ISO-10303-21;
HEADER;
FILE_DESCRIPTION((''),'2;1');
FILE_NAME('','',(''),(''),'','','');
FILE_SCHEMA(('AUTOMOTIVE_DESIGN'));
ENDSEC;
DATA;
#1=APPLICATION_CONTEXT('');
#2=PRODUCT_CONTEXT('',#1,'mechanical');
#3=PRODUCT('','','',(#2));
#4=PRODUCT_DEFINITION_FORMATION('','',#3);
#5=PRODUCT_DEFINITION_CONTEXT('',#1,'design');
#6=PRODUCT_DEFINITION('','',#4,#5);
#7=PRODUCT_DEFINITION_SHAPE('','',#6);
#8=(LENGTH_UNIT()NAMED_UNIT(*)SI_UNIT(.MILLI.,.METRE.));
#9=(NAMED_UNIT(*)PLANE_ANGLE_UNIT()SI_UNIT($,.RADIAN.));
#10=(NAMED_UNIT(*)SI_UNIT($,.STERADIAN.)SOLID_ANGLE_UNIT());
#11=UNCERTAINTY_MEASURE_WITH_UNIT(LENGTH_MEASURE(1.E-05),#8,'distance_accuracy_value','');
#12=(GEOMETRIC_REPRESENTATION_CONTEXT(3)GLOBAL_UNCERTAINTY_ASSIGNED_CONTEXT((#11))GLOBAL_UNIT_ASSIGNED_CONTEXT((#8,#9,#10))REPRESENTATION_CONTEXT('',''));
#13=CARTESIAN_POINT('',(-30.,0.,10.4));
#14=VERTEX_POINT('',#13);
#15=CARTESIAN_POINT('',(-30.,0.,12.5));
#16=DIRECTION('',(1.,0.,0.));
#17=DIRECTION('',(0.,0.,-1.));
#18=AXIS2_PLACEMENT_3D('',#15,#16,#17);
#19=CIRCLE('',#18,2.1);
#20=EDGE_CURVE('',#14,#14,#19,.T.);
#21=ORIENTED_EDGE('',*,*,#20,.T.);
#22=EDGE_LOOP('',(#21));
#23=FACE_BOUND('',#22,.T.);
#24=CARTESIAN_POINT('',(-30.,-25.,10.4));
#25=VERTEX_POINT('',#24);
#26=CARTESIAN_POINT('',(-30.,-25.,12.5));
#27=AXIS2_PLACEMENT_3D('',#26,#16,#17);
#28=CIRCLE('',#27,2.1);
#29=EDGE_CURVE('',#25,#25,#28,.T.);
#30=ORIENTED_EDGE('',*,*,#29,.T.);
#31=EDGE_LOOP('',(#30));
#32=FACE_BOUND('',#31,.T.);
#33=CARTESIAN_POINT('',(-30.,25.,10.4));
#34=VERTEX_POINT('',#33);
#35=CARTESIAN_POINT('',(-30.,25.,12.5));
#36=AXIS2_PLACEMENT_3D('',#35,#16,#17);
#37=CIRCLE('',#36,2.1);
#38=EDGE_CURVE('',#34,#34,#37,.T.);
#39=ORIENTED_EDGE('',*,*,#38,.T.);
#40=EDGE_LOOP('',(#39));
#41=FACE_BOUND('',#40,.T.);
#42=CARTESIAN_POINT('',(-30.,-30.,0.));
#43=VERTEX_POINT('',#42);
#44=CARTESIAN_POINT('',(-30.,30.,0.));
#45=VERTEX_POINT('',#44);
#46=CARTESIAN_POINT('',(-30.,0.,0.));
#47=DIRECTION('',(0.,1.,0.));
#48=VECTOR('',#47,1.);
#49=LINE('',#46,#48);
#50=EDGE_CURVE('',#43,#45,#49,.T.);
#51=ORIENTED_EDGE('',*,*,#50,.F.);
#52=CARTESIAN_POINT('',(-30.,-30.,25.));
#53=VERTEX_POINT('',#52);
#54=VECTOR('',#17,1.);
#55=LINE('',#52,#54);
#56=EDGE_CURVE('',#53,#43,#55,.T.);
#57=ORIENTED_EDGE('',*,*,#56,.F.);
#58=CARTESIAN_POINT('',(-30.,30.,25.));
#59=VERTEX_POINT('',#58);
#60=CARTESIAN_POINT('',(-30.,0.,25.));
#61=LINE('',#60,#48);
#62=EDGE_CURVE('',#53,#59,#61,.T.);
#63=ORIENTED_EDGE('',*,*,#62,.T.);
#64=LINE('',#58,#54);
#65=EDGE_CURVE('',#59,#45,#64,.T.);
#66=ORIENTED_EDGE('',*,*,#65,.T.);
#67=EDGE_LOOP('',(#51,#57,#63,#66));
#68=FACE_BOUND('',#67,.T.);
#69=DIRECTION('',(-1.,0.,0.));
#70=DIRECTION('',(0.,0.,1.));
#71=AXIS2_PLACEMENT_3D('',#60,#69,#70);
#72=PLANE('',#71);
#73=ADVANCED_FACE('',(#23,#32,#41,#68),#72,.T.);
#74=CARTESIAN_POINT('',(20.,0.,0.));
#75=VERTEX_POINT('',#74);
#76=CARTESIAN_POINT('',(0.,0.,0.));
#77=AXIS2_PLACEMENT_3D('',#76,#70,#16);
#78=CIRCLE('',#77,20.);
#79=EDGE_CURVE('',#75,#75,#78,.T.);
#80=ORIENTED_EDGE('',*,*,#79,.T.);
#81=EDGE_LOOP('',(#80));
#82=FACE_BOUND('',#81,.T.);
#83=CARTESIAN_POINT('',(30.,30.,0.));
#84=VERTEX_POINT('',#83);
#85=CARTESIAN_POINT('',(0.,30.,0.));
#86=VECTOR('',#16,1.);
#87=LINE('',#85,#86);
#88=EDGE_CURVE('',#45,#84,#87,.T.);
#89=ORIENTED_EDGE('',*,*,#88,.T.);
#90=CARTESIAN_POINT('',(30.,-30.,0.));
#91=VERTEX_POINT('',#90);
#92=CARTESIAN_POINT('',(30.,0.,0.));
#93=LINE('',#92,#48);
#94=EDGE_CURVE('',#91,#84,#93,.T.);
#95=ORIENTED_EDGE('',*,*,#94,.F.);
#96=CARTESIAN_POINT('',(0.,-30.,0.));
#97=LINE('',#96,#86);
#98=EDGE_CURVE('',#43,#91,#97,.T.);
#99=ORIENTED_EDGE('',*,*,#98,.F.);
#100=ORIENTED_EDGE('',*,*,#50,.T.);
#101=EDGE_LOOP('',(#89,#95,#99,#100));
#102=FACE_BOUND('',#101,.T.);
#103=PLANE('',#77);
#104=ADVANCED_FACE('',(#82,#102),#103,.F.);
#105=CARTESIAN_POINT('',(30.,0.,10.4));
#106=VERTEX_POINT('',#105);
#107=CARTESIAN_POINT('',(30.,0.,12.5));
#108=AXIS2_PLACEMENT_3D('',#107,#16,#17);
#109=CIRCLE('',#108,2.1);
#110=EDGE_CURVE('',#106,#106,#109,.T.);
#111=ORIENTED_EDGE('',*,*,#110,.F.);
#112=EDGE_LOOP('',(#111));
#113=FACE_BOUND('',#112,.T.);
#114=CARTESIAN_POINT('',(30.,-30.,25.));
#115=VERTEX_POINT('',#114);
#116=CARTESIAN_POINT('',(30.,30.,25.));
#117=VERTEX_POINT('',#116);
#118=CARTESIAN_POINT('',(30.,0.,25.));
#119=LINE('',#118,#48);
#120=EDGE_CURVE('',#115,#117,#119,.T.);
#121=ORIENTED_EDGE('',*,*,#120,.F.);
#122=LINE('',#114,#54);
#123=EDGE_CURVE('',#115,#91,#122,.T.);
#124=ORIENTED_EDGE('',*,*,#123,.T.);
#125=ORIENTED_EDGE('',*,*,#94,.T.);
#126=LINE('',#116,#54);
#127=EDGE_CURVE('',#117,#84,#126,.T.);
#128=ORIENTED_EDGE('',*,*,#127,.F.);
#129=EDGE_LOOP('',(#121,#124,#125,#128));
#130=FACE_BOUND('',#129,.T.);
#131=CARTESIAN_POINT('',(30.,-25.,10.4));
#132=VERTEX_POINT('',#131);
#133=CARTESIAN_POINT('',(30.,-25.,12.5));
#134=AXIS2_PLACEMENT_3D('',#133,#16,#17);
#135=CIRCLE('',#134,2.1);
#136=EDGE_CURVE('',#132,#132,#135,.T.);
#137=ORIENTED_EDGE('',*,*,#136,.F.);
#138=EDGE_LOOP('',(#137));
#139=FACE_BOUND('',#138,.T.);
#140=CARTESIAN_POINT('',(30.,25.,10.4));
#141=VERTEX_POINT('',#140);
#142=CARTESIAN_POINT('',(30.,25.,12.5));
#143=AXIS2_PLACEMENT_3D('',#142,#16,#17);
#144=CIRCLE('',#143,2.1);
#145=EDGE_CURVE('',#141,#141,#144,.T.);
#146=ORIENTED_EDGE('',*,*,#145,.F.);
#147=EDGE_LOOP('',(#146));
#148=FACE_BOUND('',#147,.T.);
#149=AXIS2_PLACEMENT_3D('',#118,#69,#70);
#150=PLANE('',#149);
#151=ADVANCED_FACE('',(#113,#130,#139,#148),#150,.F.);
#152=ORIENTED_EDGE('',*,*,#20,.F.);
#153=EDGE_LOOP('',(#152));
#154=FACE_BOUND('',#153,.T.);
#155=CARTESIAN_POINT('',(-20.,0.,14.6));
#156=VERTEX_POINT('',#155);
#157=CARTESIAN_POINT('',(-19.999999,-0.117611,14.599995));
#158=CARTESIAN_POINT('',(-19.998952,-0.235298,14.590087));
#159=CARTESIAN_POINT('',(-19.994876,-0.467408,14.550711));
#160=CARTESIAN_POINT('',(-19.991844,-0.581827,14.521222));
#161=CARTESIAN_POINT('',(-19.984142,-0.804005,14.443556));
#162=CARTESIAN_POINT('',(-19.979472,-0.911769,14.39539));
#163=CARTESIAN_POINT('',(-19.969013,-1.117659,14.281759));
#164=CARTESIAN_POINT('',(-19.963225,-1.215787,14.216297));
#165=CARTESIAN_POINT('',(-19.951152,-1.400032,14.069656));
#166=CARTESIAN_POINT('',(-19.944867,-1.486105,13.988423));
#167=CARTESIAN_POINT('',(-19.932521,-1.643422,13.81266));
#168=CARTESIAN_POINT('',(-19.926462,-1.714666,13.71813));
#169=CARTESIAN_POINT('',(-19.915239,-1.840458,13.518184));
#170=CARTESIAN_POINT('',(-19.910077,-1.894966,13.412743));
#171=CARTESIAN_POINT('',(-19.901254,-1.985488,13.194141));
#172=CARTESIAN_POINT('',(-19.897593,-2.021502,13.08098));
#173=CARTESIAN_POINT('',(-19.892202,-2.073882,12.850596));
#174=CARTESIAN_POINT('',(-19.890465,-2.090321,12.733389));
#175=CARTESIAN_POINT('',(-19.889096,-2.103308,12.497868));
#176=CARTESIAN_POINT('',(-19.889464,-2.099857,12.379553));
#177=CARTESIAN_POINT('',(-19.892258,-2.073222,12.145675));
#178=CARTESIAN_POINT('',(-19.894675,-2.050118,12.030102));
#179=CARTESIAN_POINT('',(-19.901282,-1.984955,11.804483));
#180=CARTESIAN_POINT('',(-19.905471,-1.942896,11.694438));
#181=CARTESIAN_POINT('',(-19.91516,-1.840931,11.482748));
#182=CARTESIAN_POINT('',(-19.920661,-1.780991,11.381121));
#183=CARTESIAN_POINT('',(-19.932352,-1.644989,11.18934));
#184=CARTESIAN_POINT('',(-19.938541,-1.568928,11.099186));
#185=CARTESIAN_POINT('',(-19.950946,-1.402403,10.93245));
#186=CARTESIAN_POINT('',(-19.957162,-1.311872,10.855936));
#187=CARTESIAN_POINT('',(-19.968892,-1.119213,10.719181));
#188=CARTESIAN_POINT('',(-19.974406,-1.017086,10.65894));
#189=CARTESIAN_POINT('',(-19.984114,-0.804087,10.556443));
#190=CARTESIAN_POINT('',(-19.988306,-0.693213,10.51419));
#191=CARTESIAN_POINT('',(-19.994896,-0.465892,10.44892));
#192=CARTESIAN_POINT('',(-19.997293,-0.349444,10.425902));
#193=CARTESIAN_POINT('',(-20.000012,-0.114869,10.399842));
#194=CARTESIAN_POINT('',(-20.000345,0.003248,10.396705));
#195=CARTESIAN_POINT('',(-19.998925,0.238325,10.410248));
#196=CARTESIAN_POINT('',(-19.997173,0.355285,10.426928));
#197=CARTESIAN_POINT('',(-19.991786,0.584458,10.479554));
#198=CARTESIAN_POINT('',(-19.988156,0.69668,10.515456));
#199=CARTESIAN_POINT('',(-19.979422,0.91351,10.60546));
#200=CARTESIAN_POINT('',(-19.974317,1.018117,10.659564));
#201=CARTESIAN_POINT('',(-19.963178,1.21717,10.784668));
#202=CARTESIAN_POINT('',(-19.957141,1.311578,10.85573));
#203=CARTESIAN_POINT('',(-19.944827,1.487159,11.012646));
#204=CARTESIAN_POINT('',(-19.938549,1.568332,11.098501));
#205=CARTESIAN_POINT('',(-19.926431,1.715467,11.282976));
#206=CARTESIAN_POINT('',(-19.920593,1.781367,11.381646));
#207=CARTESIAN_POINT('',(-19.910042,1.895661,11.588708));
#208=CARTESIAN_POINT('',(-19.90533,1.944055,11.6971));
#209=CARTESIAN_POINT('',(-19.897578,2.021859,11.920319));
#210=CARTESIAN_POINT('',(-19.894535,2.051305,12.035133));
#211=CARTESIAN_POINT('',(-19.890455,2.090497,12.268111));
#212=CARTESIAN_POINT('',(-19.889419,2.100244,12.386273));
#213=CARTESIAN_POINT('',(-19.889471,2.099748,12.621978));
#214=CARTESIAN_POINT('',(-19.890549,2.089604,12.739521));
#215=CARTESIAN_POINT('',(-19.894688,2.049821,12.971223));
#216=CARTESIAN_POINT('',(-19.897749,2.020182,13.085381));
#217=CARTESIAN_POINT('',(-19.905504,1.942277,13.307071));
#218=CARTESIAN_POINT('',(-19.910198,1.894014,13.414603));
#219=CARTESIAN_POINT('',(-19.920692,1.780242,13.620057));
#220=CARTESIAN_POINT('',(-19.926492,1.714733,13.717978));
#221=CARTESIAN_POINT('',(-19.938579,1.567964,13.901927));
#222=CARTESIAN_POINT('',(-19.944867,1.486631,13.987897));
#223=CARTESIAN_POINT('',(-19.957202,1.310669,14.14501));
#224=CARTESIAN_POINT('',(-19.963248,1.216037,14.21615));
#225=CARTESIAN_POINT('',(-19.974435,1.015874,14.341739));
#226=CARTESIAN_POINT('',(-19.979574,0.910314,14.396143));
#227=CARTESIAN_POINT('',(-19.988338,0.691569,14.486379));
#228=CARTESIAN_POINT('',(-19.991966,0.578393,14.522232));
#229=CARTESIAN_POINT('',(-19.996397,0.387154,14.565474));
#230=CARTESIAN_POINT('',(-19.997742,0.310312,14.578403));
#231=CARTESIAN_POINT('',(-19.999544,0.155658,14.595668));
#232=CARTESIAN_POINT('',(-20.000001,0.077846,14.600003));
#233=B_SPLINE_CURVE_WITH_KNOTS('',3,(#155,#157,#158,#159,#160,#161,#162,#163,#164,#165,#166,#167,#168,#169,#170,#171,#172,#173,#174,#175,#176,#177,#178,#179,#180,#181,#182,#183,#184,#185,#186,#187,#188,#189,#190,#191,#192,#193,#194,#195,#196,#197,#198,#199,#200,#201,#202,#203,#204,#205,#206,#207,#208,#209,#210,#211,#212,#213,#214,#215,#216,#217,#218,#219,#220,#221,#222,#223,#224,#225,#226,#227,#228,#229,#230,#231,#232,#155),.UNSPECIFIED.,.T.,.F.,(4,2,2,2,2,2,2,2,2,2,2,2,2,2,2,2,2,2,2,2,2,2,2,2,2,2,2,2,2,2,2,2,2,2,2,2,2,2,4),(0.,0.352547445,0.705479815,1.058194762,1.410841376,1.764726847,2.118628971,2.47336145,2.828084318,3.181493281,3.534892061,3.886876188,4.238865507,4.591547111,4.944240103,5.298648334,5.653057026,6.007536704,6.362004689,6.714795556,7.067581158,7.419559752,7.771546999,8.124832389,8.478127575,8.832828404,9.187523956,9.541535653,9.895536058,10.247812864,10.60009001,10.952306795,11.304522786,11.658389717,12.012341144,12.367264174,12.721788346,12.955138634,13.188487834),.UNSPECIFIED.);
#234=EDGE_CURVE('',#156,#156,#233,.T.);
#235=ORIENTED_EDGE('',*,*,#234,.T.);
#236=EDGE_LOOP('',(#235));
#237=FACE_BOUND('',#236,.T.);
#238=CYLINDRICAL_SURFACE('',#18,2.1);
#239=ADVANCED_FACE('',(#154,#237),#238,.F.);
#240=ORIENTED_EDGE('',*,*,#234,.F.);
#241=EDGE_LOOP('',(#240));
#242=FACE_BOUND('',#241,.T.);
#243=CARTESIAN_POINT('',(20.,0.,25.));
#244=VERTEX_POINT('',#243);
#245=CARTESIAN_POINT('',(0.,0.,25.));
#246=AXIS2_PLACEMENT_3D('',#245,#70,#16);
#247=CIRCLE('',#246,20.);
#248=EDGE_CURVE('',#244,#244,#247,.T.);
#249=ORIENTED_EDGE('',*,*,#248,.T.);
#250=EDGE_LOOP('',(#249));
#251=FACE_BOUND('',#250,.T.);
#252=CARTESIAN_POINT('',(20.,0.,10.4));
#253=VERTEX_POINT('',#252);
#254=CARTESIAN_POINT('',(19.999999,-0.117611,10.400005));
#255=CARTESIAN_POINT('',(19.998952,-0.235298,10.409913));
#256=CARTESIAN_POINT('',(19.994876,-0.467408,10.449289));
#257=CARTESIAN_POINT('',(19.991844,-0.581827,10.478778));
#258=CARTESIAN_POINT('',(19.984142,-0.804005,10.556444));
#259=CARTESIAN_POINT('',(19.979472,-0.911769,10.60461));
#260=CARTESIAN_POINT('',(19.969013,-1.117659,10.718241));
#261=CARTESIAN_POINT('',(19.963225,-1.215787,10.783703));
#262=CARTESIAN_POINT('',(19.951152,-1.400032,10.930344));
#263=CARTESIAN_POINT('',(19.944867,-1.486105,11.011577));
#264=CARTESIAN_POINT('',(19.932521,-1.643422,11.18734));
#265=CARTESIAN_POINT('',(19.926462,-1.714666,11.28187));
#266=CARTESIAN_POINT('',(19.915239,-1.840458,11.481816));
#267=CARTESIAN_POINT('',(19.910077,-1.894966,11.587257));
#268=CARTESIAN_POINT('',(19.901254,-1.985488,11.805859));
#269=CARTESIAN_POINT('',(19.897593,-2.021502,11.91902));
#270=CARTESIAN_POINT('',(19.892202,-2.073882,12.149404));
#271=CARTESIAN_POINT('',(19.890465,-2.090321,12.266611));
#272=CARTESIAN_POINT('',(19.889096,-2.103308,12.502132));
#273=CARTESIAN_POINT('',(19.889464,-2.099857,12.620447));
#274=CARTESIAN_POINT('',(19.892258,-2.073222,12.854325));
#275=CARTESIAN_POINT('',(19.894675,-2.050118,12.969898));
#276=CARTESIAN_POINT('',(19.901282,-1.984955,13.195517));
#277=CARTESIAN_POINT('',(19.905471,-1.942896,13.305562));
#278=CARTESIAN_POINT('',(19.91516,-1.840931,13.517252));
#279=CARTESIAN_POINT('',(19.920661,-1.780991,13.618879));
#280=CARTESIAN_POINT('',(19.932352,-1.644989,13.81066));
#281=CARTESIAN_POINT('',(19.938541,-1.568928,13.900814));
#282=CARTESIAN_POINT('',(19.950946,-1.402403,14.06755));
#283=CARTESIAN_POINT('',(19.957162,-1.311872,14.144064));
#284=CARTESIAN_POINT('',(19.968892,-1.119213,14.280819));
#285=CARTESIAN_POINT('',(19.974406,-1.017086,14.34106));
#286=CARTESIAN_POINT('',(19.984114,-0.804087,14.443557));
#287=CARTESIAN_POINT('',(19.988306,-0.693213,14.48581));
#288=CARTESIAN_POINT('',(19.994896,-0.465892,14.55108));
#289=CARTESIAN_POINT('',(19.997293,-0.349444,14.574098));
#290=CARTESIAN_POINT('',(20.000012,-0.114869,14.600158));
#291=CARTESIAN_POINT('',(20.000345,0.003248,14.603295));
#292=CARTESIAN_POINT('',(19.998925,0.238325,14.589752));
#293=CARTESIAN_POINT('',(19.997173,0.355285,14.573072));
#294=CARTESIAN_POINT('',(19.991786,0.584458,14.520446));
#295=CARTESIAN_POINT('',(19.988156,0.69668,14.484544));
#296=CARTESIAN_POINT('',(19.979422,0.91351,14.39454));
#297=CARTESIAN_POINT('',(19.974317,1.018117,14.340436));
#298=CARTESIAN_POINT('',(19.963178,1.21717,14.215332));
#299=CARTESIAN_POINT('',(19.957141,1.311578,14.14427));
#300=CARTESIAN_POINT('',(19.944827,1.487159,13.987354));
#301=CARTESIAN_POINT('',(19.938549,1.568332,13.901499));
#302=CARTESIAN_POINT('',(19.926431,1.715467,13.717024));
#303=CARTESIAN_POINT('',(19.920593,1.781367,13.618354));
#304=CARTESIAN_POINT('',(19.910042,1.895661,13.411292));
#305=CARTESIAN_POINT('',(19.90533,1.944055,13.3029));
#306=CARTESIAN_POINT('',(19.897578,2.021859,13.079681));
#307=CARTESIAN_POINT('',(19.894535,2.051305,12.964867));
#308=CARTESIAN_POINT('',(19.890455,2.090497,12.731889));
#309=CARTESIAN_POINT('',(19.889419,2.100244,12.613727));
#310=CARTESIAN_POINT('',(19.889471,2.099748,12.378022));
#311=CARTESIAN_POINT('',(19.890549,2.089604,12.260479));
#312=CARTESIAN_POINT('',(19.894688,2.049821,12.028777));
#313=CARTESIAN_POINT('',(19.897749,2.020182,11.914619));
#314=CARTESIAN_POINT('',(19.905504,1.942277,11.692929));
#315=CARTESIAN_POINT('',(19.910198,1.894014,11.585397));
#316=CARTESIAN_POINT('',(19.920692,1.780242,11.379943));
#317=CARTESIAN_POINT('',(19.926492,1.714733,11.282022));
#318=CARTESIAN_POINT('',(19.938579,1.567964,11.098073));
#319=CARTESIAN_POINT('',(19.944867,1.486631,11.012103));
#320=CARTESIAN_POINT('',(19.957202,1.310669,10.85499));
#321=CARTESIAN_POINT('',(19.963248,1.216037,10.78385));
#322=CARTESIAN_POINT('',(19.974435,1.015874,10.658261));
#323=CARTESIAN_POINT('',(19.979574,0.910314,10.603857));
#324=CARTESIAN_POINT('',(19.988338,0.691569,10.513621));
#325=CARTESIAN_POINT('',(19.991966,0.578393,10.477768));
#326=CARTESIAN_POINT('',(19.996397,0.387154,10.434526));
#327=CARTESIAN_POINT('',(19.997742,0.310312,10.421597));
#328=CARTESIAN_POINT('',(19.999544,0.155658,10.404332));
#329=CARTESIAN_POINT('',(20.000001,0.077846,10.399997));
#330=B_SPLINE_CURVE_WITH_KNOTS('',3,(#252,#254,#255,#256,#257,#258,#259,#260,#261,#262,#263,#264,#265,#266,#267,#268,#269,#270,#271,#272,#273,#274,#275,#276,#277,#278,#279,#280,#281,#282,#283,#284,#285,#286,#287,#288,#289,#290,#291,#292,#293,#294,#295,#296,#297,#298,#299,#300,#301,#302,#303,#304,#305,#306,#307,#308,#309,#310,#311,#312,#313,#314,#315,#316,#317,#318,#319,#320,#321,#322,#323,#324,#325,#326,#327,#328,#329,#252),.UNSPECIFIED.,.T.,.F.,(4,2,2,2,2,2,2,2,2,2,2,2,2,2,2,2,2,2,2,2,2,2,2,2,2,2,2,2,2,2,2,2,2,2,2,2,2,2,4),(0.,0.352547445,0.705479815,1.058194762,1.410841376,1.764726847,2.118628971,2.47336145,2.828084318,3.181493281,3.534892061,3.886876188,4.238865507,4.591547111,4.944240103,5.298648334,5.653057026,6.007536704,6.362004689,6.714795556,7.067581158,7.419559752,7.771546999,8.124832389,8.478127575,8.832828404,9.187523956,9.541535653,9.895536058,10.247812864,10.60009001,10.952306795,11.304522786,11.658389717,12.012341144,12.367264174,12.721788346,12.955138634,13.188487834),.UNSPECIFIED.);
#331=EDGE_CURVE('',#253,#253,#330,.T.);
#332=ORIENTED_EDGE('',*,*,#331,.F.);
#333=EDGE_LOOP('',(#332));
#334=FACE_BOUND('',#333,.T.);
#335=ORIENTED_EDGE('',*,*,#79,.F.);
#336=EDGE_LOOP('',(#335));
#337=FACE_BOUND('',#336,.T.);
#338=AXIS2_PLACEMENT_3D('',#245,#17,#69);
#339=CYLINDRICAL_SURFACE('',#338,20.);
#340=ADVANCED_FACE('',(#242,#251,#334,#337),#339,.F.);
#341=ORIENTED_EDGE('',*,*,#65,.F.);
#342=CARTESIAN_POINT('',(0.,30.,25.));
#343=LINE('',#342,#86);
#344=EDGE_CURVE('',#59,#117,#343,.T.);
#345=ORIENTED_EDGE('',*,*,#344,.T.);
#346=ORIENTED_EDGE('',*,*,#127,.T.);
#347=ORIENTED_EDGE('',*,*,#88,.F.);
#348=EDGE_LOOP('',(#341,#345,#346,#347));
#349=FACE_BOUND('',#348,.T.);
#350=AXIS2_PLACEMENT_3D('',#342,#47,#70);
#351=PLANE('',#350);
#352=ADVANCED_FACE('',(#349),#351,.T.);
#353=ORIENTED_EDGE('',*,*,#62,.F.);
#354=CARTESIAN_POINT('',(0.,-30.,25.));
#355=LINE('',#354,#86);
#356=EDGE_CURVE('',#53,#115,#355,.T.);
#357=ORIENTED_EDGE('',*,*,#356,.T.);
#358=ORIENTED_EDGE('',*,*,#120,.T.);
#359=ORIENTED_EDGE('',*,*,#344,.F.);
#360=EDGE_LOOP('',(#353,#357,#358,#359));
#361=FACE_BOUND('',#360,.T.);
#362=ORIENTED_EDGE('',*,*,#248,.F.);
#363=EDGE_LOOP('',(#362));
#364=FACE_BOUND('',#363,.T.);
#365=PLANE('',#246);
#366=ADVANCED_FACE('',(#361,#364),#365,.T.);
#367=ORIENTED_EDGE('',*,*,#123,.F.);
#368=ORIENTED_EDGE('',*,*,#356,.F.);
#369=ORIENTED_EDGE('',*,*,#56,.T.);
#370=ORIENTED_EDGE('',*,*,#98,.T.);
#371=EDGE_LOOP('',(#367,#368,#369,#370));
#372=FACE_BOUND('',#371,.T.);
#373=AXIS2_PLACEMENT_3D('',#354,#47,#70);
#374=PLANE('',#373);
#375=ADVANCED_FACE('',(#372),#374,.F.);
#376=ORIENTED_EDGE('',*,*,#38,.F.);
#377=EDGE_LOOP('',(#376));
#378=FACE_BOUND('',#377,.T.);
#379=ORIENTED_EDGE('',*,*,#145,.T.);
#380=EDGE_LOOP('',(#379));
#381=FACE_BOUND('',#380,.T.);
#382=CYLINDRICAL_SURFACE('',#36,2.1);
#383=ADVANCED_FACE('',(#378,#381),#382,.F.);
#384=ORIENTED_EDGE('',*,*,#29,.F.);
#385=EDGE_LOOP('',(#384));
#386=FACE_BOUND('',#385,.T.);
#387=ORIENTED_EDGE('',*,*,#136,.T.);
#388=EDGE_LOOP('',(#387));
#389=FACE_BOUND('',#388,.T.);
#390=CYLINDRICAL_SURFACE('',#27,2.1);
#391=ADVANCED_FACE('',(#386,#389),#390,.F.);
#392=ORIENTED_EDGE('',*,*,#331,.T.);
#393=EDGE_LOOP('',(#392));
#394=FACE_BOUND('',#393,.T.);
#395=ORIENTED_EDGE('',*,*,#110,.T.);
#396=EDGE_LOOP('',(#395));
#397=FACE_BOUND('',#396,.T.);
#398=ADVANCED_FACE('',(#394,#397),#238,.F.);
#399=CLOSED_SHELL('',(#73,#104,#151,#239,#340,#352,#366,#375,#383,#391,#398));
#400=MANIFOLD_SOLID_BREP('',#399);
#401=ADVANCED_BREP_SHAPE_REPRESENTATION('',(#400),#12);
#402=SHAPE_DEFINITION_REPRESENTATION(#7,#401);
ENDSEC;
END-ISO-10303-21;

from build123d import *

# Parameters (mm, degrees)
BOSS_EXTRUDE1_DEPTH = 25
SKETCH2_R           = 2.1
CUT_EXTRUDE1_DEPTH  = 72.589105316


with BuildPart() as part:
    # Sketch1 → Boss-Extrude1 (new body)
    with BuildSketch(Plane.XY):
        with BuildLine():
            Line((-30, 0), (-20, 0))
            ThreePointArc((-20, 0), (0, 20), (20, 0))
            Line((20, 0), (30, 0))
            Line((30, 0), (30, 30))
            Line((30, 30), (-30, 30))
            Line((-30, 30), (-30, 0))
        make_face()
        with BuildLine():
            ThreePointArc((20, 0), (0, -20), (-20, 0))
            Line((-20, 0), (-30, 0))
            Line((-30, 0), (-30, -30))
            Line((-30, -30), (30, -30))
            Line((30, -30), (30, 0))
            Line((30, 0), (20, 0))
        make_face()
    extrude(amount=BOSS_EXTRUDE1_DEPTH)

    # Sketch2 → Cut-Extrude1 (cut, through all)
    with BuildSketch(Plane(origin=(30, 0, 0), x_dir=(0, 0, -1), z_dir=(1, 0, 0))):
        with Locations((-12.5, 25)):
            Circle(SKETCH2_R)
        with Locations((-12.5, -25)):
            Circle(SKETCH2_R)
        with Locations((-12.5, 0)):
            Circle(SKETCH2_R)
    extrude(amount=-CUT_EXTRUDE1_DEPTH, mode=Mode.SUBTRACT)


solid = part.part
